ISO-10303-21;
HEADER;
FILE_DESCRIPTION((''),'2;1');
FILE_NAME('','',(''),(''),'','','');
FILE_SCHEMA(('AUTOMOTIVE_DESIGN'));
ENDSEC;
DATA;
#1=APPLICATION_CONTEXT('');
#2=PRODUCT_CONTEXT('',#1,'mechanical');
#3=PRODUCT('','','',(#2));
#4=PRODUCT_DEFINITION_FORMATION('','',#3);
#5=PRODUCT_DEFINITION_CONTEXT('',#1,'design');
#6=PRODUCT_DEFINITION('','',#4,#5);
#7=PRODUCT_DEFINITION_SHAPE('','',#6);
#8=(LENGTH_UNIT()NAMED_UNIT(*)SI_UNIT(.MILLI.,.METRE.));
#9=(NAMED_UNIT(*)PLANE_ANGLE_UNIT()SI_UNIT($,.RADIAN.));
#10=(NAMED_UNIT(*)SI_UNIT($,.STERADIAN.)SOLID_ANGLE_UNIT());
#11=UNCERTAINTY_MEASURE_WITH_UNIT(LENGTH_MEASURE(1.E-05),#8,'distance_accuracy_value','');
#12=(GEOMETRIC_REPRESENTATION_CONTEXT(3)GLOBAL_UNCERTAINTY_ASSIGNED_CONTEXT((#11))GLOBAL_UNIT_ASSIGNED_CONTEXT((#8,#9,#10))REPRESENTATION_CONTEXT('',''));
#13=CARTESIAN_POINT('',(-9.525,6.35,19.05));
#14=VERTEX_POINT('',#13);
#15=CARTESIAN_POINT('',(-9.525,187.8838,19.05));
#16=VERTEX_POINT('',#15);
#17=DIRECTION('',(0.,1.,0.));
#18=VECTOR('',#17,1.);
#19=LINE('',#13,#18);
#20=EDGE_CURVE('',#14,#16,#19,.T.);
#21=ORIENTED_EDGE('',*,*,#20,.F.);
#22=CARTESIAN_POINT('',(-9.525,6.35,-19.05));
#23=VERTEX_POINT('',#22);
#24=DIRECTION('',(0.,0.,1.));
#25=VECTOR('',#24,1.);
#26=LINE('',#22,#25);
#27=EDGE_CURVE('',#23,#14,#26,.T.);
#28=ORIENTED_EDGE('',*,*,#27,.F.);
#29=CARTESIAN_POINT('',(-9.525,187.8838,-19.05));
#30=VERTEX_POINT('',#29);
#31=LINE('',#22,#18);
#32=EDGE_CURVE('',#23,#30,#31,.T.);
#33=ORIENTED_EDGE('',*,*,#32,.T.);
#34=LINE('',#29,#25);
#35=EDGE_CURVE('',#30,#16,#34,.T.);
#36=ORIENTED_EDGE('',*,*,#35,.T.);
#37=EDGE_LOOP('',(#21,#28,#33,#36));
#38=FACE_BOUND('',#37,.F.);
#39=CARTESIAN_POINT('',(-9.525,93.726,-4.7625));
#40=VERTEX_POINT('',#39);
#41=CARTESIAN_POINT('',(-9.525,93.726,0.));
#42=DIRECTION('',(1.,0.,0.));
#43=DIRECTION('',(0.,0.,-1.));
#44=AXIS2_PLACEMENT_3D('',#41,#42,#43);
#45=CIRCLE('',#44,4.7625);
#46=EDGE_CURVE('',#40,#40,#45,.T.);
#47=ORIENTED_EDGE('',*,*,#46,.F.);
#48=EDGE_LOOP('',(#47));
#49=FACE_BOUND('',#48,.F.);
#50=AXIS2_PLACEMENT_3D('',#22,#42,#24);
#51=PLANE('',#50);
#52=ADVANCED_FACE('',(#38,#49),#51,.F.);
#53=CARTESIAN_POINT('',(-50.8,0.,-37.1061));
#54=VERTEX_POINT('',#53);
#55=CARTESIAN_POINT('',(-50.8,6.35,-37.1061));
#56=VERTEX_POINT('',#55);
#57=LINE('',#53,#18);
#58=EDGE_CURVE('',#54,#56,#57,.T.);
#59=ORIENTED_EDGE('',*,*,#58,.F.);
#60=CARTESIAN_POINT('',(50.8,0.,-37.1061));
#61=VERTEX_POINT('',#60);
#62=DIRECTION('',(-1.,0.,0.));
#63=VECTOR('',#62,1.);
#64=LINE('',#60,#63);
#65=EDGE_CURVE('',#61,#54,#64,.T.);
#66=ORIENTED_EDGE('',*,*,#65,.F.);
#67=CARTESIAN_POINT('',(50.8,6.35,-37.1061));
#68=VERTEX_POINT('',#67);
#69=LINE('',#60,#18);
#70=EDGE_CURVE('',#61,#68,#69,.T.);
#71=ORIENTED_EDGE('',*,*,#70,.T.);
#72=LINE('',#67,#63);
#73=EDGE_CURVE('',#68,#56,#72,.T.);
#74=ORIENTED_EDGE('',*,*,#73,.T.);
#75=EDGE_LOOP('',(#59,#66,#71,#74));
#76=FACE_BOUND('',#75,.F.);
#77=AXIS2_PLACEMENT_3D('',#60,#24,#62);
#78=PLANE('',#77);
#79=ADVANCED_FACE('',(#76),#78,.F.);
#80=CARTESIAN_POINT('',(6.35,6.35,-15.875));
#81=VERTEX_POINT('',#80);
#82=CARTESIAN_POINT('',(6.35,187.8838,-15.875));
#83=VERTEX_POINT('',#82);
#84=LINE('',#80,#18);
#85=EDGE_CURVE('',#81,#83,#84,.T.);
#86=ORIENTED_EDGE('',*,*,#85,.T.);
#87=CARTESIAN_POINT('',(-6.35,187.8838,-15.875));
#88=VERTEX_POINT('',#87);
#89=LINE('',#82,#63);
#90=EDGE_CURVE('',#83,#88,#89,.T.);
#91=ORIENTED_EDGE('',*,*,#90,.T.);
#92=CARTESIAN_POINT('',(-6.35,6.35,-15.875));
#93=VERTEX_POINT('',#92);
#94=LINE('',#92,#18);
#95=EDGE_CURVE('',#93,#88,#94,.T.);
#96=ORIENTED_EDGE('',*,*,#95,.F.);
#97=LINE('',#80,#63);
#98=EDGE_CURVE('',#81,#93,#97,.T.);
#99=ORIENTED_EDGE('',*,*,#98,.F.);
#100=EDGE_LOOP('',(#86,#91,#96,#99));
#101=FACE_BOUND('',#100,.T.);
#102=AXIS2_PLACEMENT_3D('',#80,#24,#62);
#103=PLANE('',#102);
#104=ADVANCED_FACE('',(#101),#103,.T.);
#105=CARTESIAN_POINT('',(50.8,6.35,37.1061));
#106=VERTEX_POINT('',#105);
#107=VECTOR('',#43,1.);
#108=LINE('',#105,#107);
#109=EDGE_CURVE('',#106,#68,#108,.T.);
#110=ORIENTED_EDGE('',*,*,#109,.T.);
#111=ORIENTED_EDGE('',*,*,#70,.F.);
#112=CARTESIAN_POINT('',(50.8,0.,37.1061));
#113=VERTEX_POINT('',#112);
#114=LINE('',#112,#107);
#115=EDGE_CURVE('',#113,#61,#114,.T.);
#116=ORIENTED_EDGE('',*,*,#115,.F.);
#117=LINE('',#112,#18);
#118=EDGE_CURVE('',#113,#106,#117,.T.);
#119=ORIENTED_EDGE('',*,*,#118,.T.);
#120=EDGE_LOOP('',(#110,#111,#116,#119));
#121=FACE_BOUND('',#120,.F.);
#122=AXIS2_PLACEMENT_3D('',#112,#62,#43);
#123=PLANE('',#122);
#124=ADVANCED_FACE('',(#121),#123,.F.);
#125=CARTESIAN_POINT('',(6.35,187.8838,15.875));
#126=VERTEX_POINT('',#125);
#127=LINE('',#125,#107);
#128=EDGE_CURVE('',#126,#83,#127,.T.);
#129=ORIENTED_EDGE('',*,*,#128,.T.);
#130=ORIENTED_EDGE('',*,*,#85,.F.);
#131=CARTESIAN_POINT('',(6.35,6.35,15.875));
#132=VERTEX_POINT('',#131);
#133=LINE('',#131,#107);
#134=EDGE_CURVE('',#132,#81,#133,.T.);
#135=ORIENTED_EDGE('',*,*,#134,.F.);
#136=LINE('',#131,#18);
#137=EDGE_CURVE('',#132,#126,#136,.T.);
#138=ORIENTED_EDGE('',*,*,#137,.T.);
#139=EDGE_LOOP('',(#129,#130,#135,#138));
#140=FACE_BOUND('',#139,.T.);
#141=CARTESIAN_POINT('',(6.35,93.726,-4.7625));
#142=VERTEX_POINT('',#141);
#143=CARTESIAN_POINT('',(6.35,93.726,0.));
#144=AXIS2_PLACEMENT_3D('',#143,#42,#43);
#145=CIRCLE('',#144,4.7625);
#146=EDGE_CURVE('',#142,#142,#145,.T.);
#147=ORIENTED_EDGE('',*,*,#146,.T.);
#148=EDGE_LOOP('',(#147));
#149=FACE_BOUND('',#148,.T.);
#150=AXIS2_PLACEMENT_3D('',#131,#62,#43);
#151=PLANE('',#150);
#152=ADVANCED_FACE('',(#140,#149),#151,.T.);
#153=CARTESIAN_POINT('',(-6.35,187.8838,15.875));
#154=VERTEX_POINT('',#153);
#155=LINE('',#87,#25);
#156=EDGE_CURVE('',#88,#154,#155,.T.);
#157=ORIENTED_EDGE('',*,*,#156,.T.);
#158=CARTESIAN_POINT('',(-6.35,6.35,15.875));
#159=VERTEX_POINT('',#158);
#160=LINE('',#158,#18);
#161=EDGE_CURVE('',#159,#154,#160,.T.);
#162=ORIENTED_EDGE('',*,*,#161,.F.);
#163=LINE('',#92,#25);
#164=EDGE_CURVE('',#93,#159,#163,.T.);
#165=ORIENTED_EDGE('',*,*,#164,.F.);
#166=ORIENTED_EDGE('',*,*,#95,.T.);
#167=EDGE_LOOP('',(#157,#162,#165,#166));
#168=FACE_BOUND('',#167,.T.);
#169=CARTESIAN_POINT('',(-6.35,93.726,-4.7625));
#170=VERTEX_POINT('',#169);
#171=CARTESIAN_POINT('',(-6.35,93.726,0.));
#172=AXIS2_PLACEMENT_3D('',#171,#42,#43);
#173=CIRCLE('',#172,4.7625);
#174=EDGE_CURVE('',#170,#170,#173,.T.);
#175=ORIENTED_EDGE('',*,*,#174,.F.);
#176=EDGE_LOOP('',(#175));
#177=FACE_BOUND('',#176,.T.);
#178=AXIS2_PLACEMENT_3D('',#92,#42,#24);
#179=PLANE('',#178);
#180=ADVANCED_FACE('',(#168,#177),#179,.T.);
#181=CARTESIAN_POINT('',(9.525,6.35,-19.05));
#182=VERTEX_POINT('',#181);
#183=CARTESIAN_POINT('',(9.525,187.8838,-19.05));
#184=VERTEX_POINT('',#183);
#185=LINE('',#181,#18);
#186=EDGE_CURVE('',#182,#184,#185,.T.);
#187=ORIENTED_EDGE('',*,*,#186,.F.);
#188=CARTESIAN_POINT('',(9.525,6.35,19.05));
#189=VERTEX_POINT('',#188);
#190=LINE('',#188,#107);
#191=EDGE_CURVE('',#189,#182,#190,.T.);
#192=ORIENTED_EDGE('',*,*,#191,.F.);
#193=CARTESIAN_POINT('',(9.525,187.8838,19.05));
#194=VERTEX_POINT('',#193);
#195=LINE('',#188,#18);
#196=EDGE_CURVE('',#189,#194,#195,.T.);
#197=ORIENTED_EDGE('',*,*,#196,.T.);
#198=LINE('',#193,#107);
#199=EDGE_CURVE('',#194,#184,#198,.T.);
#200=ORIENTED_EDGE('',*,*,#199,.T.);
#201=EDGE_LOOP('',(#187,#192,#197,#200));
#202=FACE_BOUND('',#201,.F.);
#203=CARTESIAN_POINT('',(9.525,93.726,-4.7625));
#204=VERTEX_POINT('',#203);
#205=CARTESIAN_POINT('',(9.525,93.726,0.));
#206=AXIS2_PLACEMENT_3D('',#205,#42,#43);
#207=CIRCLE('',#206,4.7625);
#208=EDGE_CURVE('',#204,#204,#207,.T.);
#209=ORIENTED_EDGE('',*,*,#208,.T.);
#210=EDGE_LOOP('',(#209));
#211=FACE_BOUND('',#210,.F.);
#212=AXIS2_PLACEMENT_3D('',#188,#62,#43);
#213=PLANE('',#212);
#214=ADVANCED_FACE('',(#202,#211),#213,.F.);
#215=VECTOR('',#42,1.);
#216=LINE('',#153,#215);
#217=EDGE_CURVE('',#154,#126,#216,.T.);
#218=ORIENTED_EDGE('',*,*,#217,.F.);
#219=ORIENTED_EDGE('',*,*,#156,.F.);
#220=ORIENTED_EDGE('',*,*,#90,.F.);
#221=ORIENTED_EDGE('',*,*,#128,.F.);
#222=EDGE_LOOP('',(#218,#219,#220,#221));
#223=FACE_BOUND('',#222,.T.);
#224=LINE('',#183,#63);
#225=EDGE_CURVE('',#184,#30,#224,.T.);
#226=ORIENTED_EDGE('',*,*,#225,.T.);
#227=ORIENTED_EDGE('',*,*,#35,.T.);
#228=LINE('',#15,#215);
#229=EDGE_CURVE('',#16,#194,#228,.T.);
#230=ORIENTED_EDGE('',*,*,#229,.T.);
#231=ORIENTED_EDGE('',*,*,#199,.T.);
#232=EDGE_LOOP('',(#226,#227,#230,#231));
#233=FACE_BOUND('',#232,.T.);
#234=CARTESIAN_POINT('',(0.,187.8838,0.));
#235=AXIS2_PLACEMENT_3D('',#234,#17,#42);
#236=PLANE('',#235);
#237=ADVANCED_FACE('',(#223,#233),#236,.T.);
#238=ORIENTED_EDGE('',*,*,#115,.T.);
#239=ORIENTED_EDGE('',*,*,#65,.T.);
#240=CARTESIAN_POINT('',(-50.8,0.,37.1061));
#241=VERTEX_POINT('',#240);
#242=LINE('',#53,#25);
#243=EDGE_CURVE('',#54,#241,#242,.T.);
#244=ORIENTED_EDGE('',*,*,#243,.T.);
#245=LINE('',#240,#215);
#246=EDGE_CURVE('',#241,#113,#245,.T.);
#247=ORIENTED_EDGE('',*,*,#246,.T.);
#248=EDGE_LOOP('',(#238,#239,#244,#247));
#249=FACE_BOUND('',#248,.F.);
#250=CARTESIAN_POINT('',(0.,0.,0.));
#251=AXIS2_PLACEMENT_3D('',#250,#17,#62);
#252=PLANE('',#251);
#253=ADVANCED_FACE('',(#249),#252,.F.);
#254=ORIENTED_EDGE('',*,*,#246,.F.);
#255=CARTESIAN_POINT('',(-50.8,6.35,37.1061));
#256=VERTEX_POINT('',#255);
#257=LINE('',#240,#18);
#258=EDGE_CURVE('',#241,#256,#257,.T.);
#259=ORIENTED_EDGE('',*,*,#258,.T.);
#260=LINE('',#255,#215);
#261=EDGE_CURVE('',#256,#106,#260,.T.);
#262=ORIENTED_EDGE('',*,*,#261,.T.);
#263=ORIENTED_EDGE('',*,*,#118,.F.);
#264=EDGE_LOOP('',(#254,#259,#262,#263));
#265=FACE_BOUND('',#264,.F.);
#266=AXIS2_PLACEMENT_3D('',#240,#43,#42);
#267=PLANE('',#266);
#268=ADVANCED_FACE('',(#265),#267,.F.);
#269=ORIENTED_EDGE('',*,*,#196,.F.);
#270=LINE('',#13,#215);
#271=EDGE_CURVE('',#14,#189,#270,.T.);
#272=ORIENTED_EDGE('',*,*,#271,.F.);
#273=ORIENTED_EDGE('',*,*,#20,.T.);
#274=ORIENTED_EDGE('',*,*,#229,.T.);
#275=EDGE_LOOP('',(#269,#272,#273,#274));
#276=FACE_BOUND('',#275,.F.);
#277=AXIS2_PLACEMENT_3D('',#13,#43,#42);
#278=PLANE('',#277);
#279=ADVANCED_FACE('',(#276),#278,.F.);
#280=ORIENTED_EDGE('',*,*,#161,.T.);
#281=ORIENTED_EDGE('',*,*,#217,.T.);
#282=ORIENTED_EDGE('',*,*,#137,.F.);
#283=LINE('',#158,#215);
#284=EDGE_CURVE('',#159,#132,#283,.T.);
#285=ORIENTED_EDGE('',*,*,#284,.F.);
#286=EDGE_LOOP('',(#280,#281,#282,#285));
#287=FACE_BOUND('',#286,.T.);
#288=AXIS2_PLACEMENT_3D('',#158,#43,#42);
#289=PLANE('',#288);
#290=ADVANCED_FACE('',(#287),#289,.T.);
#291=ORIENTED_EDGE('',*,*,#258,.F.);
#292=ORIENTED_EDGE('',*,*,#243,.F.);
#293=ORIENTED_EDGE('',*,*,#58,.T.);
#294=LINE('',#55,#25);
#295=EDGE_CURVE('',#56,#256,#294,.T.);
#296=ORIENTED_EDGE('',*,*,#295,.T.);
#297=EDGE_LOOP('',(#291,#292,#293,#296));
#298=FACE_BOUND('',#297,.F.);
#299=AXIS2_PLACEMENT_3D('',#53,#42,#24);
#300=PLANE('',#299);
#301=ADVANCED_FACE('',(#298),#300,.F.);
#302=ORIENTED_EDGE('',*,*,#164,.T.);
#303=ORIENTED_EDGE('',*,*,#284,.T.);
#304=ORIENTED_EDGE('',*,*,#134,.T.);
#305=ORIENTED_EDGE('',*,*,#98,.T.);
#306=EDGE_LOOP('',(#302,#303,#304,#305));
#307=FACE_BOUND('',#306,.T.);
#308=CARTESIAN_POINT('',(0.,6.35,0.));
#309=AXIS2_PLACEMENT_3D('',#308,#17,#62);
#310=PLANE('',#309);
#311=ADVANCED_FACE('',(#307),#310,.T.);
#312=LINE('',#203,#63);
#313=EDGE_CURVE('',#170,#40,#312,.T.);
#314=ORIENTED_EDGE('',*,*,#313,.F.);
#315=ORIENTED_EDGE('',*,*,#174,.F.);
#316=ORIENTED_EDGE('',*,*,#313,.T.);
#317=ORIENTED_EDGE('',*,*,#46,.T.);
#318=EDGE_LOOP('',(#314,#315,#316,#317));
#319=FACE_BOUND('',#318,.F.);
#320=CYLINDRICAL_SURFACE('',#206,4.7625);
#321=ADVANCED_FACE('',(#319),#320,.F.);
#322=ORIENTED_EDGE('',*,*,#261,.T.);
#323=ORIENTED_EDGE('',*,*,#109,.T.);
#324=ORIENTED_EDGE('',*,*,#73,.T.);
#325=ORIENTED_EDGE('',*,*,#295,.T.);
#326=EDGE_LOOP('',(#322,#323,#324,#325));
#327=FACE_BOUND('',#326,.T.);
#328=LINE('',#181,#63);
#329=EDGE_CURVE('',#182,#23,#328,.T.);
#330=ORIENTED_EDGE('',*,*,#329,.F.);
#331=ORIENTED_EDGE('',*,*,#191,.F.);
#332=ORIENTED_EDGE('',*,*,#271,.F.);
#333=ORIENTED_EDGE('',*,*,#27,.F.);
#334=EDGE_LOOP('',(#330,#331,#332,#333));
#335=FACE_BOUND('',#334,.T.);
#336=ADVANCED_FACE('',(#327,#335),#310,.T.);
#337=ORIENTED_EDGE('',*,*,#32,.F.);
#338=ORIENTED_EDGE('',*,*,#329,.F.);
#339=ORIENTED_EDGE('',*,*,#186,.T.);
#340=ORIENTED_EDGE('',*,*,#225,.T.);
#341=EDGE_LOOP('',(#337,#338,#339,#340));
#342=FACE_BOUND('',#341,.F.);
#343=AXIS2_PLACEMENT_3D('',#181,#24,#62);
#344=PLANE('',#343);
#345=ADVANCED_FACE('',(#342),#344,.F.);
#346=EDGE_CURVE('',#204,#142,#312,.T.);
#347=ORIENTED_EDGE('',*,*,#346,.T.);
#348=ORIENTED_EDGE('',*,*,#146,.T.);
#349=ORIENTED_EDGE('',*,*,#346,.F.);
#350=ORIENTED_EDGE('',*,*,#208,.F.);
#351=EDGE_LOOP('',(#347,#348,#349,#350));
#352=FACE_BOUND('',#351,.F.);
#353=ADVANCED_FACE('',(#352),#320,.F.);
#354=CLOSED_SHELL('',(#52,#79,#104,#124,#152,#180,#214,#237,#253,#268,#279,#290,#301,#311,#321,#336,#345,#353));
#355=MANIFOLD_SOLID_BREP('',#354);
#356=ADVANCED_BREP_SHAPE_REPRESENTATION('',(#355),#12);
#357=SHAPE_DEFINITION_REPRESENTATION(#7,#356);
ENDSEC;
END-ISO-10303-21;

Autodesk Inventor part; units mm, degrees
ref_plane "YZ Plane" through (0, 0, 0) normal (1, 0, 0) x (0, 1, 0)
ref_plane "XZ Plane" through (0, 0, 0) normal (0, 1, 0) x (-1, 0, 0)
ref_plane "XY Plane" through (0, 0, 0) normal (0, 0, 1) x (1, 0, 0)
sketch "Sketch1" plane through (0, 0, 0) normal (0, 1, 0) x (-1, 0, 0)
  line L0 (50.8, 37.1061) -> (-50.8, 37.1061)
  line L1 (-50.8, 37.1061) -> (-50.8, -37.1061)
  line L2 (-50.8, -37.1061) -> (50.8, -37.1061)
  line L3 (50.8, -37.1061) -> (50.8, 37.1061)
  line L4 (50.8, 37.1061) -> (-50.8, -37.1061) construction
  line L5 (-50.8, 37.1061) -> (50.8, -37.1061) construction
  point P0 (0, 0)
  dimension "d0" = 101.6
  dimension "d1" = 74.2122
extrude "Extrusion1" add sketch "Sketch1" along normal blind 6.35
sketch "Sketch2" plane through (0, 6.35, 0) normal (0, 1, 0) x (1, 0, 0)
  line L0 (-9.525, -19.05) -> (9.525, -19.05)
  line L1 (9.525, -19.05) -> (9.525, 19.05)
  line L2 (9.525, 19.05) -> (-9.525, 19.05)
  line L3 (-9.525, 19.05) -> (-9.525, -19.05)
  line L4 (-9.525, -19.05) -> (9.525, 19.05) construction
  line L5 (9.525, -19.05) -> (-9.525, 19.05) construction
  line L6 (-6.35, -15.875) -> (6.35, -15.875)
  line L7 (6.35, -15.875) -> (6.35, 15.875)
  line L8 (6.35, 15.875) -> (-6.35, 15.875)
  line L9 (-6.35, 15.875) -> (-6.35, -15.875)
  line L10 (-6.35, -15.875) -> (6.35, 15.875) construction
  line L11 (6.35, -15.875) -> (-6.35, 15.875) construction
  point P0 (0, 0)
  dimension "d4" = 19.05
  dimension "d5" = 38.1
  dimension "d6" = 3.175
  dimension "d7" = 3.175
extrude "Extrusion2" add sketch "Sketch2" along normal blind 181.5338
sketch "Sketch3" plane through (9.525, 6.35, 19.05) normal (1, 0, 0) x (0, 0, -1)
  circle A0 centre (19.05, 87.376) radius 4.7625
  line L0 (0, 181.5338) -> (38.1, 181.5338) projected
  line L1 (-18.0561, 0) -> (56.1561, 0) projected
  point P0 (19.05, -6.35)
  dimension "d10" = 9.525
  dimension "d14" = 87.376
extrude "Extrusion3" cut sketch "Sketch3" against normal through all
equation "\"d0\" = baseWidth"
equation "\"d2\" = baseThickness"
equation "\"d4\" = postWidth"
equation "\"d5\" = postLength"
equation "\"d6\" = postWallThickness"
equation "\"d7\" = postWallThickness"
equation "\"d8\" = postHeight"
equation "\"d10\" = axelDiam"
equation "\"baseWidth\" = 101.6"
equation "\"baseLength\" = 101.6"
equation "\"baseThickness\" = 6.35"
equation "\"postWidth\" = 19.05"
equation "\"postLength\" = 38.1"
equation "\"postWallThickness\" = 3.175"
equation "\"axelDiam\" = 9.525"
equation "\"distanceFromTopToAxel\" = 25.4"
equation "\"heightOfAxelFromAssembly\" = 156.1338"
equation "\"postHeight\" = 181.5338"
properties part number "SupportPost"
